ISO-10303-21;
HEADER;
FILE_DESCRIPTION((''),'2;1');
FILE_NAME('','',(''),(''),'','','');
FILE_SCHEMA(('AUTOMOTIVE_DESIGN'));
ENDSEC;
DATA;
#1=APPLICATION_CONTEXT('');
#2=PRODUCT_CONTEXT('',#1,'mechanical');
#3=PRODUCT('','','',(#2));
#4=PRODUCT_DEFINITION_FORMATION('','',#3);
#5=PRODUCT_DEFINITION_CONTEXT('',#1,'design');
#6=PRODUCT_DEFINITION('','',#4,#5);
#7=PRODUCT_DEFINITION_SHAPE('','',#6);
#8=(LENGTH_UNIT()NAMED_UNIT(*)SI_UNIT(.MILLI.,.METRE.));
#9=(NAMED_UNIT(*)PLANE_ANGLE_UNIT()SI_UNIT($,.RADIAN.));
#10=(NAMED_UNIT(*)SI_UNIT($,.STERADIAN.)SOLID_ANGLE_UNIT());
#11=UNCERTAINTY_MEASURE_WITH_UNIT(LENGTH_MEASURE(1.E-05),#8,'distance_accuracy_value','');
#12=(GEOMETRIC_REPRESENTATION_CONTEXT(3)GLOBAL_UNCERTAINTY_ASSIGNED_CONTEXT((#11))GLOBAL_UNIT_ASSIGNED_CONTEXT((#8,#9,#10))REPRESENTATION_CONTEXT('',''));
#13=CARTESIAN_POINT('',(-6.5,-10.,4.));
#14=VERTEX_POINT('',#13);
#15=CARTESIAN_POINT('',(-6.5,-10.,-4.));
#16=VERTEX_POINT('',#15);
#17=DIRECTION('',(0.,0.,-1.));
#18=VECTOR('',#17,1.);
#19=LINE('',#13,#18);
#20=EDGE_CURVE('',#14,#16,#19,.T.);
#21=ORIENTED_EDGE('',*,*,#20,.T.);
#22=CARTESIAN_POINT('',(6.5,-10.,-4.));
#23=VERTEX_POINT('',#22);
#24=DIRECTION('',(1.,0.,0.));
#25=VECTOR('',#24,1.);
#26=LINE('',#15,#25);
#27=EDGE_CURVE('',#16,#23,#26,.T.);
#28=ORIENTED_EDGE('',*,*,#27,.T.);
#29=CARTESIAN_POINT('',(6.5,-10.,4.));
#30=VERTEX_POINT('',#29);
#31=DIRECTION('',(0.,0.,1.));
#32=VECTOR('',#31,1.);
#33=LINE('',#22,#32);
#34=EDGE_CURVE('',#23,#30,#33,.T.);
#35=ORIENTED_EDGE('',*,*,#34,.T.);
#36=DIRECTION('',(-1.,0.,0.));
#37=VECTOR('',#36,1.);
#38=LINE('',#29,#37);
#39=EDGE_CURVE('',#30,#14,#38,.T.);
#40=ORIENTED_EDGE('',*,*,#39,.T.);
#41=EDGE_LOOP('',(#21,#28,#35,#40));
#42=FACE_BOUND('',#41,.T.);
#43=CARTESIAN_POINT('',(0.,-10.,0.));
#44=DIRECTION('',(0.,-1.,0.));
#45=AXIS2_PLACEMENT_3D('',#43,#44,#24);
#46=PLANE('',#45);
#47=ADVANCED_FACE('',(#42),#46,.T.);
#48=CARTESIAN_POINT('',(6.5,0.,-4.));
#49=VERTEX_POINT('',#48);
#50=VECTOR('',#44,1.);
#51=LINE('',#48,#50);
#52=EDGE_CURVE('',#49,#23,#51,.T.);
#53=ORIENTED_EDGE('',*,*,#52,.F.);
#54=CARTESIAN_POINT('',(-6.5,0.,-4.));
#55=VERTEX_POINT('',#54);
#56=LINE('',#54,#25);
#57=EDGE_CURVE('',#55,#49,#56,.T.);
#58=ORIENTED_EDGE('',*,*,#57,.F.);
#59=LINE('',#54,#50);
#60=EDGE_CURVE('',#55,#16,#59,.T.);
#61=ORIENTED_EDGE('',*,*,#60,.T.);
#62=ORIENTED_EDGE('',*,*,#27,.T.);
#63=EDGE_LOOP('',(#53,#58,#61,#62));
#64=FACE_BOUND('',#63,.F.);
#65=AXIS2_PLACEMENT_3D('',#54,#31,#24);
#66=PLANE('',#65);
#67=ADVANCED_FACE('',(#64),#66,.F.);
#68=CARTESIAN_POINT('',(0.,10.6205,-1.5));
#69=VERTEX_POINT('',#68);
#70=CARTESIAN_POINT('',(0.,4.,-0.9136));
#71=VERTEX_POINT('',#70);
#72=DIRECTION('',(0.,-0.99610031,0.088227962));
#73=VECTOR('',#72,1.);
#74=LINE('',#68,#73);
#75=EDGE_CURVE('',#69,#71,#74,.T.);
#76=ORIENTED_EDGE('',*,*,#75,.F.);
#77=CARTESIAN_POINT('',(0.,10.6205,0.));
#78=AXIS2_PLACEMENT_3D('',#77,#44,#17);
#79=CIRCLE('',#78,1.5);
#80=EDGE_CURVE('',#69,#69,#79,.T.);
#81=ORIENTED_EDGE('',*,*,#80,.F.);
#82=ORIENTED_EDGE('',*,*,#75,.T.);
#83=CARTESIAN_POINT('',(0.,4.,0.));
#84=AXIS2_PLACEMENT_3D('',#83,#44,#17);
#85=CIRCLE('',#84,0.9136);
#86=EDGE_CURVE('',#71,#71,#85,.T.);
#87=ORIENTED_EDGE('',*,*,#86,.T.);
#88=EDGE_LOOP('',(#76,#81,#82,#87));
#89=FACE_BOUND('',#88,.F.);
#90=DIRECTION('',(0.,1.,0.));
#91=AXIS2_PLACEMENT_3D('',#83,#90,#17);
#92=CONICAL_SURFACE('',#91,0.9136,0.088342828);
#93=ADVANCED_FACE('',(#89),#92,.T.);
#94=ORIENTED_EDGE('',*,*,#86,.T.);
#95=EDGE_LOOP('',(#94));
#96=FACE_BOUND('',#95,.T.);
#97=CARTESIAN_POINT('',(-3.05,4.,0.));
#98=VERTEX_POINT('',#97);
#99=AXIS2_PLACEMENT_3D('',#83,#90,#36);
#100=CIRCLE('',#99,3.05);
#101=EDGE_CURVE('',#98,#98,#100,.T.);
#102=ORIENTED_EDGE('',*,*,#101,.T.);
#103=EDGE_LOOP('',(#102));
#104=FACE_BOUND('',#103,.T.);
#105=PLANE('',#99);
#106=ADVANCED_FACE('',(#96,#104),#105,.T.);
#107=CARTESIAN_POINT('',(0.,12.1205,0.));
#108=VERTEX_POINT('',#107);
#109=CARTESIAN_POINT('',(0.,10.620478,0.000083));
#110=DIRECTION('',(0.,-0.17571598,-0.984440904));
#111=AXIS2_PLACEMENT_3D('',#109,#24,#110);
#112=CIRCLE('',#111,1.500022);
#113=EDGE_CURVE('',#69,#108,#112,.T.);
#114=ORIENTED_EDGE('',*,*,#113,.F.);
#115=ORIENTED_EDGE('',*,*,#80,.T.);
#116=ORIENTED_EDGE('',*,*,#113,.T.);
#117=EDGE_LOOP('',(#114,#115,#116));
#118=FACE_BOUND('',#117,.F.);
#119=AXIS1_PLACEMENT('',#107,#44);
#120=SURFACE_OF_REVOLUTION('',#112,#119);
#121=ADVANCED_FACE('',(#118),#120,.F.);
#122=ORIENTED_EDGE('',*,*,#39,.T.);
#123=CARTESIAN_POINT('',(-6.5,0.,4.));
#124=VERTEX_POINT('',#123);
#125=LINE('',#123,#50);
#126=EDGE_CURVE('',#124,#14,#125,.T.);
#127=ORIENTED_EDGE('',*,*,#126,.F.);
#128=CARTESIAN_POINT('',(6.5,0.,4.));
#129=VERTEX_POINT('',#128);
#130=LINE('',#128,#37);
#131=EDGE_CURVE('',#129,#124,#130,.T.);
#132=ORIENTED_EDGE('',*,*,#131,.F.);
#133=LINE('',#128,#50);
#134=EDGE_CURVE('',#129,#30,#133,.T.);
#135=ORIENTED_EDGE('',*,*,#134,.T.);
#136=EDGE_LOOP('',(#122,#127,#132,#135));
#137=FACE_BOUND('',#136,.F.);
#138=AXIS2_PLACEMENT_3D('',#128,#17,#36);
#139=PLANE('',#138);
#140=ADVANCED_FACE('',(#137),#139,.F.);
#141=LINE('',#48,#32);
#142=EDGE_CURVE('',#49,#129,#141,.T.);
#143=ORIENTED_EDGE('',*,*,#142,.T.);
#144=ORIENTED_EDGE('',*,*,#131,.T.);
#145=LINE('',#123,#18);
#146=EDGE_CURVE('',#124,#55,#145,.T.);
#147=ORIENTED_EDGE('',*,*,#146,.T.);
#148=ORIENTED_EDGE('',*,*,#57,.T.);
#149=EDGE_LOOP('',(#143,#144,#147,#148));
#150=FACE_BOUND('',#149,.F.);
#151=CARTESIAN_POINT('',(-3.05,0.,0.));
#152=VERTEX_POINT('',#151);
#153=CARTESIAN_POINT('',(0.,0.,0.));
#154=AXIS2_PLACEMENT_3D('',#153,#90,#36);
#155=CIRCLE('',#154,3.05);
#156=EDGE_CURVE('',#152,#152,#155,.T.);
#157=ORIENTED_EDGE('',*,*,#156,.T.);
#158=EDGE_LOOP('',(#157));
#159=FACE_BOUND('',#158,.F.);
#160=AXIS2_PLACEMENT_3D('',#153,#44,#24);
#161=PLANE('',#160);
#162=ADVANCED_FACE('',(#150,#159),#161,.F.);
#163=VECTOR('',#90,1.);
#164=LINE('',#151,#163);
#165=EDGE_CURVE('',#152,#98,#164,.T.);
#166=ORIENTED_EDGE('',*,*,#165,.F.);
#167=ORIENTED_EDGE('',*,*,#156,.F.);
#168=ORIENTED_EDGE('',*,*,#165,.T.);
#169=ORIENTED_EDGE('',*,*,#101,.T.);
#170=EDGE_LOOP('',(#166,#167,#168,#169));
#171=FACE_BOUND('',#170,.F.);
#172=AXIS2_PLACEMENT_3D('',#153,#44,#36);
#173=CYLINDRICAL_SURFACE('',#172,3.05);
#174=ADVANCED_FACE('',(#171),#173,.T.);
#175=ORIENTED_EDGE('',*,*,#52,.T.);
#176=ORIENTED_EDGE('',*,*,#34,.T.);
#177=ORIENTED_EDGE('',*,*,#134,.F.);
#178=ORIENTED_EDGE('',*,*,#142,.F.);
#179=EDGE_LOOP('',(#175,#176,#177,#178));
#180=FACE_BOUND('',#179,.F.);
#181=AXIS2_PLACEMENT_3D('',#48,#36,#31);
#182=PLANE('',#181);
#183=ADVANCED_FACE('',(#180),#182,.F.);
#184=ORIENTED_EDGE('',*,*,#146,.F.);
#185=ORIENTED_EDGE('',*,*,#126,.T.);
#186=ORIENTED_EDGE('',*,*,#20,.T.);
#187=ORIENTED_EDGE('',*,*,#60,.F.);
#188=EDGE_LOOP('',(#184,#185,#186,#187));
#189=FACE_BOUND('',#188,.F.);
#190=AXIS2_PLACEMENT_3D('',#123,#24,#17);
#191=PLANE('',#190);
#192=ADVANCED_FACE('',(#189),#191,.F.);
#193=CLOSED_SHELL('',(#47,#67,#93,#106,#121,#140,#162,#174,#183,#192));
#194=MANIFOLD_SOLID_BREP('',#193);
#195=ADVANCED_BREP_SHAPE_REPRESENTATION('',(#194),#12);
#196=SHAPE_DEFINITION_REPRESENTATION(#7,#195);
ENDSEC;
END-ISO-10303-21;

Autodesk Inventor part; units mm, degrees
ref_plane "YZ Plane" through (0, 0, 0) normal (1, 0, 0) x (0, 1, 0)
ref_plane "XZ Plane" through (0, 0, 0) normal (0, 1, 0) x (-1, 0, 0)
ref_plane "XY Plane" through (0, 0, 0) normal (0, 0, 1) x (1, 0, 0)
sketch "Sketch1" plane through (0, 0, 0) normal (0, 1, 0) x (-1, 0, 0)
  circle A0 centre (0, 0) radius 3.05
  dimension "d0" = 6.1
extrude "Extrusion1" add sketch "Sketch1" along normal blind 4
sketch "Sketch2" plane through (0, 0, 0) normal (1, 0, 0) x (0, 1, 0)
  line L0 (12.1205, 0) -> (4, 0)
  line L1 (4, -3.05) -> (4, 3.05) projected
  arc A0 (10.3569, -1.4766) -> (12.1205, 0) centre (10.6205, 0) ccw
  line L2 (4, -0.9136) -> (10.6205, -1.5)
  line L3 (4, -0.9136) -> (4, 0)
  point P0 (0, 0)
  dimension "d3" = 3
revolve "Revolution1" add sketch "Sketch2" angle 360 about axis through (0, 12.1205, 0) along (0, -1, 0) contours A0 L2 L1 L0
sketch "Sketch3" plane through (0, 0, 0) normal (0, -1, 0) x (1, 0, 0)
  line L0 (6.5, 4) -> (-6.5, 4)
  line L1 (-6.5, 4) -> (-6.5, -4)
  line L2 (-6.5, -4) -> (6.5, -4)
  line L3 (6.5, -4) -> (6.5, 4)
  point P0 (0, 0)
  point P1 (-6.5, 0)
  point P2 (0, 4)
  dimension "d5" = 13
  dimension "d6" = 8
extrude "Extrusion2" add sketch "Sketch3" along normal blind 10
properties part number "toggle switch"
